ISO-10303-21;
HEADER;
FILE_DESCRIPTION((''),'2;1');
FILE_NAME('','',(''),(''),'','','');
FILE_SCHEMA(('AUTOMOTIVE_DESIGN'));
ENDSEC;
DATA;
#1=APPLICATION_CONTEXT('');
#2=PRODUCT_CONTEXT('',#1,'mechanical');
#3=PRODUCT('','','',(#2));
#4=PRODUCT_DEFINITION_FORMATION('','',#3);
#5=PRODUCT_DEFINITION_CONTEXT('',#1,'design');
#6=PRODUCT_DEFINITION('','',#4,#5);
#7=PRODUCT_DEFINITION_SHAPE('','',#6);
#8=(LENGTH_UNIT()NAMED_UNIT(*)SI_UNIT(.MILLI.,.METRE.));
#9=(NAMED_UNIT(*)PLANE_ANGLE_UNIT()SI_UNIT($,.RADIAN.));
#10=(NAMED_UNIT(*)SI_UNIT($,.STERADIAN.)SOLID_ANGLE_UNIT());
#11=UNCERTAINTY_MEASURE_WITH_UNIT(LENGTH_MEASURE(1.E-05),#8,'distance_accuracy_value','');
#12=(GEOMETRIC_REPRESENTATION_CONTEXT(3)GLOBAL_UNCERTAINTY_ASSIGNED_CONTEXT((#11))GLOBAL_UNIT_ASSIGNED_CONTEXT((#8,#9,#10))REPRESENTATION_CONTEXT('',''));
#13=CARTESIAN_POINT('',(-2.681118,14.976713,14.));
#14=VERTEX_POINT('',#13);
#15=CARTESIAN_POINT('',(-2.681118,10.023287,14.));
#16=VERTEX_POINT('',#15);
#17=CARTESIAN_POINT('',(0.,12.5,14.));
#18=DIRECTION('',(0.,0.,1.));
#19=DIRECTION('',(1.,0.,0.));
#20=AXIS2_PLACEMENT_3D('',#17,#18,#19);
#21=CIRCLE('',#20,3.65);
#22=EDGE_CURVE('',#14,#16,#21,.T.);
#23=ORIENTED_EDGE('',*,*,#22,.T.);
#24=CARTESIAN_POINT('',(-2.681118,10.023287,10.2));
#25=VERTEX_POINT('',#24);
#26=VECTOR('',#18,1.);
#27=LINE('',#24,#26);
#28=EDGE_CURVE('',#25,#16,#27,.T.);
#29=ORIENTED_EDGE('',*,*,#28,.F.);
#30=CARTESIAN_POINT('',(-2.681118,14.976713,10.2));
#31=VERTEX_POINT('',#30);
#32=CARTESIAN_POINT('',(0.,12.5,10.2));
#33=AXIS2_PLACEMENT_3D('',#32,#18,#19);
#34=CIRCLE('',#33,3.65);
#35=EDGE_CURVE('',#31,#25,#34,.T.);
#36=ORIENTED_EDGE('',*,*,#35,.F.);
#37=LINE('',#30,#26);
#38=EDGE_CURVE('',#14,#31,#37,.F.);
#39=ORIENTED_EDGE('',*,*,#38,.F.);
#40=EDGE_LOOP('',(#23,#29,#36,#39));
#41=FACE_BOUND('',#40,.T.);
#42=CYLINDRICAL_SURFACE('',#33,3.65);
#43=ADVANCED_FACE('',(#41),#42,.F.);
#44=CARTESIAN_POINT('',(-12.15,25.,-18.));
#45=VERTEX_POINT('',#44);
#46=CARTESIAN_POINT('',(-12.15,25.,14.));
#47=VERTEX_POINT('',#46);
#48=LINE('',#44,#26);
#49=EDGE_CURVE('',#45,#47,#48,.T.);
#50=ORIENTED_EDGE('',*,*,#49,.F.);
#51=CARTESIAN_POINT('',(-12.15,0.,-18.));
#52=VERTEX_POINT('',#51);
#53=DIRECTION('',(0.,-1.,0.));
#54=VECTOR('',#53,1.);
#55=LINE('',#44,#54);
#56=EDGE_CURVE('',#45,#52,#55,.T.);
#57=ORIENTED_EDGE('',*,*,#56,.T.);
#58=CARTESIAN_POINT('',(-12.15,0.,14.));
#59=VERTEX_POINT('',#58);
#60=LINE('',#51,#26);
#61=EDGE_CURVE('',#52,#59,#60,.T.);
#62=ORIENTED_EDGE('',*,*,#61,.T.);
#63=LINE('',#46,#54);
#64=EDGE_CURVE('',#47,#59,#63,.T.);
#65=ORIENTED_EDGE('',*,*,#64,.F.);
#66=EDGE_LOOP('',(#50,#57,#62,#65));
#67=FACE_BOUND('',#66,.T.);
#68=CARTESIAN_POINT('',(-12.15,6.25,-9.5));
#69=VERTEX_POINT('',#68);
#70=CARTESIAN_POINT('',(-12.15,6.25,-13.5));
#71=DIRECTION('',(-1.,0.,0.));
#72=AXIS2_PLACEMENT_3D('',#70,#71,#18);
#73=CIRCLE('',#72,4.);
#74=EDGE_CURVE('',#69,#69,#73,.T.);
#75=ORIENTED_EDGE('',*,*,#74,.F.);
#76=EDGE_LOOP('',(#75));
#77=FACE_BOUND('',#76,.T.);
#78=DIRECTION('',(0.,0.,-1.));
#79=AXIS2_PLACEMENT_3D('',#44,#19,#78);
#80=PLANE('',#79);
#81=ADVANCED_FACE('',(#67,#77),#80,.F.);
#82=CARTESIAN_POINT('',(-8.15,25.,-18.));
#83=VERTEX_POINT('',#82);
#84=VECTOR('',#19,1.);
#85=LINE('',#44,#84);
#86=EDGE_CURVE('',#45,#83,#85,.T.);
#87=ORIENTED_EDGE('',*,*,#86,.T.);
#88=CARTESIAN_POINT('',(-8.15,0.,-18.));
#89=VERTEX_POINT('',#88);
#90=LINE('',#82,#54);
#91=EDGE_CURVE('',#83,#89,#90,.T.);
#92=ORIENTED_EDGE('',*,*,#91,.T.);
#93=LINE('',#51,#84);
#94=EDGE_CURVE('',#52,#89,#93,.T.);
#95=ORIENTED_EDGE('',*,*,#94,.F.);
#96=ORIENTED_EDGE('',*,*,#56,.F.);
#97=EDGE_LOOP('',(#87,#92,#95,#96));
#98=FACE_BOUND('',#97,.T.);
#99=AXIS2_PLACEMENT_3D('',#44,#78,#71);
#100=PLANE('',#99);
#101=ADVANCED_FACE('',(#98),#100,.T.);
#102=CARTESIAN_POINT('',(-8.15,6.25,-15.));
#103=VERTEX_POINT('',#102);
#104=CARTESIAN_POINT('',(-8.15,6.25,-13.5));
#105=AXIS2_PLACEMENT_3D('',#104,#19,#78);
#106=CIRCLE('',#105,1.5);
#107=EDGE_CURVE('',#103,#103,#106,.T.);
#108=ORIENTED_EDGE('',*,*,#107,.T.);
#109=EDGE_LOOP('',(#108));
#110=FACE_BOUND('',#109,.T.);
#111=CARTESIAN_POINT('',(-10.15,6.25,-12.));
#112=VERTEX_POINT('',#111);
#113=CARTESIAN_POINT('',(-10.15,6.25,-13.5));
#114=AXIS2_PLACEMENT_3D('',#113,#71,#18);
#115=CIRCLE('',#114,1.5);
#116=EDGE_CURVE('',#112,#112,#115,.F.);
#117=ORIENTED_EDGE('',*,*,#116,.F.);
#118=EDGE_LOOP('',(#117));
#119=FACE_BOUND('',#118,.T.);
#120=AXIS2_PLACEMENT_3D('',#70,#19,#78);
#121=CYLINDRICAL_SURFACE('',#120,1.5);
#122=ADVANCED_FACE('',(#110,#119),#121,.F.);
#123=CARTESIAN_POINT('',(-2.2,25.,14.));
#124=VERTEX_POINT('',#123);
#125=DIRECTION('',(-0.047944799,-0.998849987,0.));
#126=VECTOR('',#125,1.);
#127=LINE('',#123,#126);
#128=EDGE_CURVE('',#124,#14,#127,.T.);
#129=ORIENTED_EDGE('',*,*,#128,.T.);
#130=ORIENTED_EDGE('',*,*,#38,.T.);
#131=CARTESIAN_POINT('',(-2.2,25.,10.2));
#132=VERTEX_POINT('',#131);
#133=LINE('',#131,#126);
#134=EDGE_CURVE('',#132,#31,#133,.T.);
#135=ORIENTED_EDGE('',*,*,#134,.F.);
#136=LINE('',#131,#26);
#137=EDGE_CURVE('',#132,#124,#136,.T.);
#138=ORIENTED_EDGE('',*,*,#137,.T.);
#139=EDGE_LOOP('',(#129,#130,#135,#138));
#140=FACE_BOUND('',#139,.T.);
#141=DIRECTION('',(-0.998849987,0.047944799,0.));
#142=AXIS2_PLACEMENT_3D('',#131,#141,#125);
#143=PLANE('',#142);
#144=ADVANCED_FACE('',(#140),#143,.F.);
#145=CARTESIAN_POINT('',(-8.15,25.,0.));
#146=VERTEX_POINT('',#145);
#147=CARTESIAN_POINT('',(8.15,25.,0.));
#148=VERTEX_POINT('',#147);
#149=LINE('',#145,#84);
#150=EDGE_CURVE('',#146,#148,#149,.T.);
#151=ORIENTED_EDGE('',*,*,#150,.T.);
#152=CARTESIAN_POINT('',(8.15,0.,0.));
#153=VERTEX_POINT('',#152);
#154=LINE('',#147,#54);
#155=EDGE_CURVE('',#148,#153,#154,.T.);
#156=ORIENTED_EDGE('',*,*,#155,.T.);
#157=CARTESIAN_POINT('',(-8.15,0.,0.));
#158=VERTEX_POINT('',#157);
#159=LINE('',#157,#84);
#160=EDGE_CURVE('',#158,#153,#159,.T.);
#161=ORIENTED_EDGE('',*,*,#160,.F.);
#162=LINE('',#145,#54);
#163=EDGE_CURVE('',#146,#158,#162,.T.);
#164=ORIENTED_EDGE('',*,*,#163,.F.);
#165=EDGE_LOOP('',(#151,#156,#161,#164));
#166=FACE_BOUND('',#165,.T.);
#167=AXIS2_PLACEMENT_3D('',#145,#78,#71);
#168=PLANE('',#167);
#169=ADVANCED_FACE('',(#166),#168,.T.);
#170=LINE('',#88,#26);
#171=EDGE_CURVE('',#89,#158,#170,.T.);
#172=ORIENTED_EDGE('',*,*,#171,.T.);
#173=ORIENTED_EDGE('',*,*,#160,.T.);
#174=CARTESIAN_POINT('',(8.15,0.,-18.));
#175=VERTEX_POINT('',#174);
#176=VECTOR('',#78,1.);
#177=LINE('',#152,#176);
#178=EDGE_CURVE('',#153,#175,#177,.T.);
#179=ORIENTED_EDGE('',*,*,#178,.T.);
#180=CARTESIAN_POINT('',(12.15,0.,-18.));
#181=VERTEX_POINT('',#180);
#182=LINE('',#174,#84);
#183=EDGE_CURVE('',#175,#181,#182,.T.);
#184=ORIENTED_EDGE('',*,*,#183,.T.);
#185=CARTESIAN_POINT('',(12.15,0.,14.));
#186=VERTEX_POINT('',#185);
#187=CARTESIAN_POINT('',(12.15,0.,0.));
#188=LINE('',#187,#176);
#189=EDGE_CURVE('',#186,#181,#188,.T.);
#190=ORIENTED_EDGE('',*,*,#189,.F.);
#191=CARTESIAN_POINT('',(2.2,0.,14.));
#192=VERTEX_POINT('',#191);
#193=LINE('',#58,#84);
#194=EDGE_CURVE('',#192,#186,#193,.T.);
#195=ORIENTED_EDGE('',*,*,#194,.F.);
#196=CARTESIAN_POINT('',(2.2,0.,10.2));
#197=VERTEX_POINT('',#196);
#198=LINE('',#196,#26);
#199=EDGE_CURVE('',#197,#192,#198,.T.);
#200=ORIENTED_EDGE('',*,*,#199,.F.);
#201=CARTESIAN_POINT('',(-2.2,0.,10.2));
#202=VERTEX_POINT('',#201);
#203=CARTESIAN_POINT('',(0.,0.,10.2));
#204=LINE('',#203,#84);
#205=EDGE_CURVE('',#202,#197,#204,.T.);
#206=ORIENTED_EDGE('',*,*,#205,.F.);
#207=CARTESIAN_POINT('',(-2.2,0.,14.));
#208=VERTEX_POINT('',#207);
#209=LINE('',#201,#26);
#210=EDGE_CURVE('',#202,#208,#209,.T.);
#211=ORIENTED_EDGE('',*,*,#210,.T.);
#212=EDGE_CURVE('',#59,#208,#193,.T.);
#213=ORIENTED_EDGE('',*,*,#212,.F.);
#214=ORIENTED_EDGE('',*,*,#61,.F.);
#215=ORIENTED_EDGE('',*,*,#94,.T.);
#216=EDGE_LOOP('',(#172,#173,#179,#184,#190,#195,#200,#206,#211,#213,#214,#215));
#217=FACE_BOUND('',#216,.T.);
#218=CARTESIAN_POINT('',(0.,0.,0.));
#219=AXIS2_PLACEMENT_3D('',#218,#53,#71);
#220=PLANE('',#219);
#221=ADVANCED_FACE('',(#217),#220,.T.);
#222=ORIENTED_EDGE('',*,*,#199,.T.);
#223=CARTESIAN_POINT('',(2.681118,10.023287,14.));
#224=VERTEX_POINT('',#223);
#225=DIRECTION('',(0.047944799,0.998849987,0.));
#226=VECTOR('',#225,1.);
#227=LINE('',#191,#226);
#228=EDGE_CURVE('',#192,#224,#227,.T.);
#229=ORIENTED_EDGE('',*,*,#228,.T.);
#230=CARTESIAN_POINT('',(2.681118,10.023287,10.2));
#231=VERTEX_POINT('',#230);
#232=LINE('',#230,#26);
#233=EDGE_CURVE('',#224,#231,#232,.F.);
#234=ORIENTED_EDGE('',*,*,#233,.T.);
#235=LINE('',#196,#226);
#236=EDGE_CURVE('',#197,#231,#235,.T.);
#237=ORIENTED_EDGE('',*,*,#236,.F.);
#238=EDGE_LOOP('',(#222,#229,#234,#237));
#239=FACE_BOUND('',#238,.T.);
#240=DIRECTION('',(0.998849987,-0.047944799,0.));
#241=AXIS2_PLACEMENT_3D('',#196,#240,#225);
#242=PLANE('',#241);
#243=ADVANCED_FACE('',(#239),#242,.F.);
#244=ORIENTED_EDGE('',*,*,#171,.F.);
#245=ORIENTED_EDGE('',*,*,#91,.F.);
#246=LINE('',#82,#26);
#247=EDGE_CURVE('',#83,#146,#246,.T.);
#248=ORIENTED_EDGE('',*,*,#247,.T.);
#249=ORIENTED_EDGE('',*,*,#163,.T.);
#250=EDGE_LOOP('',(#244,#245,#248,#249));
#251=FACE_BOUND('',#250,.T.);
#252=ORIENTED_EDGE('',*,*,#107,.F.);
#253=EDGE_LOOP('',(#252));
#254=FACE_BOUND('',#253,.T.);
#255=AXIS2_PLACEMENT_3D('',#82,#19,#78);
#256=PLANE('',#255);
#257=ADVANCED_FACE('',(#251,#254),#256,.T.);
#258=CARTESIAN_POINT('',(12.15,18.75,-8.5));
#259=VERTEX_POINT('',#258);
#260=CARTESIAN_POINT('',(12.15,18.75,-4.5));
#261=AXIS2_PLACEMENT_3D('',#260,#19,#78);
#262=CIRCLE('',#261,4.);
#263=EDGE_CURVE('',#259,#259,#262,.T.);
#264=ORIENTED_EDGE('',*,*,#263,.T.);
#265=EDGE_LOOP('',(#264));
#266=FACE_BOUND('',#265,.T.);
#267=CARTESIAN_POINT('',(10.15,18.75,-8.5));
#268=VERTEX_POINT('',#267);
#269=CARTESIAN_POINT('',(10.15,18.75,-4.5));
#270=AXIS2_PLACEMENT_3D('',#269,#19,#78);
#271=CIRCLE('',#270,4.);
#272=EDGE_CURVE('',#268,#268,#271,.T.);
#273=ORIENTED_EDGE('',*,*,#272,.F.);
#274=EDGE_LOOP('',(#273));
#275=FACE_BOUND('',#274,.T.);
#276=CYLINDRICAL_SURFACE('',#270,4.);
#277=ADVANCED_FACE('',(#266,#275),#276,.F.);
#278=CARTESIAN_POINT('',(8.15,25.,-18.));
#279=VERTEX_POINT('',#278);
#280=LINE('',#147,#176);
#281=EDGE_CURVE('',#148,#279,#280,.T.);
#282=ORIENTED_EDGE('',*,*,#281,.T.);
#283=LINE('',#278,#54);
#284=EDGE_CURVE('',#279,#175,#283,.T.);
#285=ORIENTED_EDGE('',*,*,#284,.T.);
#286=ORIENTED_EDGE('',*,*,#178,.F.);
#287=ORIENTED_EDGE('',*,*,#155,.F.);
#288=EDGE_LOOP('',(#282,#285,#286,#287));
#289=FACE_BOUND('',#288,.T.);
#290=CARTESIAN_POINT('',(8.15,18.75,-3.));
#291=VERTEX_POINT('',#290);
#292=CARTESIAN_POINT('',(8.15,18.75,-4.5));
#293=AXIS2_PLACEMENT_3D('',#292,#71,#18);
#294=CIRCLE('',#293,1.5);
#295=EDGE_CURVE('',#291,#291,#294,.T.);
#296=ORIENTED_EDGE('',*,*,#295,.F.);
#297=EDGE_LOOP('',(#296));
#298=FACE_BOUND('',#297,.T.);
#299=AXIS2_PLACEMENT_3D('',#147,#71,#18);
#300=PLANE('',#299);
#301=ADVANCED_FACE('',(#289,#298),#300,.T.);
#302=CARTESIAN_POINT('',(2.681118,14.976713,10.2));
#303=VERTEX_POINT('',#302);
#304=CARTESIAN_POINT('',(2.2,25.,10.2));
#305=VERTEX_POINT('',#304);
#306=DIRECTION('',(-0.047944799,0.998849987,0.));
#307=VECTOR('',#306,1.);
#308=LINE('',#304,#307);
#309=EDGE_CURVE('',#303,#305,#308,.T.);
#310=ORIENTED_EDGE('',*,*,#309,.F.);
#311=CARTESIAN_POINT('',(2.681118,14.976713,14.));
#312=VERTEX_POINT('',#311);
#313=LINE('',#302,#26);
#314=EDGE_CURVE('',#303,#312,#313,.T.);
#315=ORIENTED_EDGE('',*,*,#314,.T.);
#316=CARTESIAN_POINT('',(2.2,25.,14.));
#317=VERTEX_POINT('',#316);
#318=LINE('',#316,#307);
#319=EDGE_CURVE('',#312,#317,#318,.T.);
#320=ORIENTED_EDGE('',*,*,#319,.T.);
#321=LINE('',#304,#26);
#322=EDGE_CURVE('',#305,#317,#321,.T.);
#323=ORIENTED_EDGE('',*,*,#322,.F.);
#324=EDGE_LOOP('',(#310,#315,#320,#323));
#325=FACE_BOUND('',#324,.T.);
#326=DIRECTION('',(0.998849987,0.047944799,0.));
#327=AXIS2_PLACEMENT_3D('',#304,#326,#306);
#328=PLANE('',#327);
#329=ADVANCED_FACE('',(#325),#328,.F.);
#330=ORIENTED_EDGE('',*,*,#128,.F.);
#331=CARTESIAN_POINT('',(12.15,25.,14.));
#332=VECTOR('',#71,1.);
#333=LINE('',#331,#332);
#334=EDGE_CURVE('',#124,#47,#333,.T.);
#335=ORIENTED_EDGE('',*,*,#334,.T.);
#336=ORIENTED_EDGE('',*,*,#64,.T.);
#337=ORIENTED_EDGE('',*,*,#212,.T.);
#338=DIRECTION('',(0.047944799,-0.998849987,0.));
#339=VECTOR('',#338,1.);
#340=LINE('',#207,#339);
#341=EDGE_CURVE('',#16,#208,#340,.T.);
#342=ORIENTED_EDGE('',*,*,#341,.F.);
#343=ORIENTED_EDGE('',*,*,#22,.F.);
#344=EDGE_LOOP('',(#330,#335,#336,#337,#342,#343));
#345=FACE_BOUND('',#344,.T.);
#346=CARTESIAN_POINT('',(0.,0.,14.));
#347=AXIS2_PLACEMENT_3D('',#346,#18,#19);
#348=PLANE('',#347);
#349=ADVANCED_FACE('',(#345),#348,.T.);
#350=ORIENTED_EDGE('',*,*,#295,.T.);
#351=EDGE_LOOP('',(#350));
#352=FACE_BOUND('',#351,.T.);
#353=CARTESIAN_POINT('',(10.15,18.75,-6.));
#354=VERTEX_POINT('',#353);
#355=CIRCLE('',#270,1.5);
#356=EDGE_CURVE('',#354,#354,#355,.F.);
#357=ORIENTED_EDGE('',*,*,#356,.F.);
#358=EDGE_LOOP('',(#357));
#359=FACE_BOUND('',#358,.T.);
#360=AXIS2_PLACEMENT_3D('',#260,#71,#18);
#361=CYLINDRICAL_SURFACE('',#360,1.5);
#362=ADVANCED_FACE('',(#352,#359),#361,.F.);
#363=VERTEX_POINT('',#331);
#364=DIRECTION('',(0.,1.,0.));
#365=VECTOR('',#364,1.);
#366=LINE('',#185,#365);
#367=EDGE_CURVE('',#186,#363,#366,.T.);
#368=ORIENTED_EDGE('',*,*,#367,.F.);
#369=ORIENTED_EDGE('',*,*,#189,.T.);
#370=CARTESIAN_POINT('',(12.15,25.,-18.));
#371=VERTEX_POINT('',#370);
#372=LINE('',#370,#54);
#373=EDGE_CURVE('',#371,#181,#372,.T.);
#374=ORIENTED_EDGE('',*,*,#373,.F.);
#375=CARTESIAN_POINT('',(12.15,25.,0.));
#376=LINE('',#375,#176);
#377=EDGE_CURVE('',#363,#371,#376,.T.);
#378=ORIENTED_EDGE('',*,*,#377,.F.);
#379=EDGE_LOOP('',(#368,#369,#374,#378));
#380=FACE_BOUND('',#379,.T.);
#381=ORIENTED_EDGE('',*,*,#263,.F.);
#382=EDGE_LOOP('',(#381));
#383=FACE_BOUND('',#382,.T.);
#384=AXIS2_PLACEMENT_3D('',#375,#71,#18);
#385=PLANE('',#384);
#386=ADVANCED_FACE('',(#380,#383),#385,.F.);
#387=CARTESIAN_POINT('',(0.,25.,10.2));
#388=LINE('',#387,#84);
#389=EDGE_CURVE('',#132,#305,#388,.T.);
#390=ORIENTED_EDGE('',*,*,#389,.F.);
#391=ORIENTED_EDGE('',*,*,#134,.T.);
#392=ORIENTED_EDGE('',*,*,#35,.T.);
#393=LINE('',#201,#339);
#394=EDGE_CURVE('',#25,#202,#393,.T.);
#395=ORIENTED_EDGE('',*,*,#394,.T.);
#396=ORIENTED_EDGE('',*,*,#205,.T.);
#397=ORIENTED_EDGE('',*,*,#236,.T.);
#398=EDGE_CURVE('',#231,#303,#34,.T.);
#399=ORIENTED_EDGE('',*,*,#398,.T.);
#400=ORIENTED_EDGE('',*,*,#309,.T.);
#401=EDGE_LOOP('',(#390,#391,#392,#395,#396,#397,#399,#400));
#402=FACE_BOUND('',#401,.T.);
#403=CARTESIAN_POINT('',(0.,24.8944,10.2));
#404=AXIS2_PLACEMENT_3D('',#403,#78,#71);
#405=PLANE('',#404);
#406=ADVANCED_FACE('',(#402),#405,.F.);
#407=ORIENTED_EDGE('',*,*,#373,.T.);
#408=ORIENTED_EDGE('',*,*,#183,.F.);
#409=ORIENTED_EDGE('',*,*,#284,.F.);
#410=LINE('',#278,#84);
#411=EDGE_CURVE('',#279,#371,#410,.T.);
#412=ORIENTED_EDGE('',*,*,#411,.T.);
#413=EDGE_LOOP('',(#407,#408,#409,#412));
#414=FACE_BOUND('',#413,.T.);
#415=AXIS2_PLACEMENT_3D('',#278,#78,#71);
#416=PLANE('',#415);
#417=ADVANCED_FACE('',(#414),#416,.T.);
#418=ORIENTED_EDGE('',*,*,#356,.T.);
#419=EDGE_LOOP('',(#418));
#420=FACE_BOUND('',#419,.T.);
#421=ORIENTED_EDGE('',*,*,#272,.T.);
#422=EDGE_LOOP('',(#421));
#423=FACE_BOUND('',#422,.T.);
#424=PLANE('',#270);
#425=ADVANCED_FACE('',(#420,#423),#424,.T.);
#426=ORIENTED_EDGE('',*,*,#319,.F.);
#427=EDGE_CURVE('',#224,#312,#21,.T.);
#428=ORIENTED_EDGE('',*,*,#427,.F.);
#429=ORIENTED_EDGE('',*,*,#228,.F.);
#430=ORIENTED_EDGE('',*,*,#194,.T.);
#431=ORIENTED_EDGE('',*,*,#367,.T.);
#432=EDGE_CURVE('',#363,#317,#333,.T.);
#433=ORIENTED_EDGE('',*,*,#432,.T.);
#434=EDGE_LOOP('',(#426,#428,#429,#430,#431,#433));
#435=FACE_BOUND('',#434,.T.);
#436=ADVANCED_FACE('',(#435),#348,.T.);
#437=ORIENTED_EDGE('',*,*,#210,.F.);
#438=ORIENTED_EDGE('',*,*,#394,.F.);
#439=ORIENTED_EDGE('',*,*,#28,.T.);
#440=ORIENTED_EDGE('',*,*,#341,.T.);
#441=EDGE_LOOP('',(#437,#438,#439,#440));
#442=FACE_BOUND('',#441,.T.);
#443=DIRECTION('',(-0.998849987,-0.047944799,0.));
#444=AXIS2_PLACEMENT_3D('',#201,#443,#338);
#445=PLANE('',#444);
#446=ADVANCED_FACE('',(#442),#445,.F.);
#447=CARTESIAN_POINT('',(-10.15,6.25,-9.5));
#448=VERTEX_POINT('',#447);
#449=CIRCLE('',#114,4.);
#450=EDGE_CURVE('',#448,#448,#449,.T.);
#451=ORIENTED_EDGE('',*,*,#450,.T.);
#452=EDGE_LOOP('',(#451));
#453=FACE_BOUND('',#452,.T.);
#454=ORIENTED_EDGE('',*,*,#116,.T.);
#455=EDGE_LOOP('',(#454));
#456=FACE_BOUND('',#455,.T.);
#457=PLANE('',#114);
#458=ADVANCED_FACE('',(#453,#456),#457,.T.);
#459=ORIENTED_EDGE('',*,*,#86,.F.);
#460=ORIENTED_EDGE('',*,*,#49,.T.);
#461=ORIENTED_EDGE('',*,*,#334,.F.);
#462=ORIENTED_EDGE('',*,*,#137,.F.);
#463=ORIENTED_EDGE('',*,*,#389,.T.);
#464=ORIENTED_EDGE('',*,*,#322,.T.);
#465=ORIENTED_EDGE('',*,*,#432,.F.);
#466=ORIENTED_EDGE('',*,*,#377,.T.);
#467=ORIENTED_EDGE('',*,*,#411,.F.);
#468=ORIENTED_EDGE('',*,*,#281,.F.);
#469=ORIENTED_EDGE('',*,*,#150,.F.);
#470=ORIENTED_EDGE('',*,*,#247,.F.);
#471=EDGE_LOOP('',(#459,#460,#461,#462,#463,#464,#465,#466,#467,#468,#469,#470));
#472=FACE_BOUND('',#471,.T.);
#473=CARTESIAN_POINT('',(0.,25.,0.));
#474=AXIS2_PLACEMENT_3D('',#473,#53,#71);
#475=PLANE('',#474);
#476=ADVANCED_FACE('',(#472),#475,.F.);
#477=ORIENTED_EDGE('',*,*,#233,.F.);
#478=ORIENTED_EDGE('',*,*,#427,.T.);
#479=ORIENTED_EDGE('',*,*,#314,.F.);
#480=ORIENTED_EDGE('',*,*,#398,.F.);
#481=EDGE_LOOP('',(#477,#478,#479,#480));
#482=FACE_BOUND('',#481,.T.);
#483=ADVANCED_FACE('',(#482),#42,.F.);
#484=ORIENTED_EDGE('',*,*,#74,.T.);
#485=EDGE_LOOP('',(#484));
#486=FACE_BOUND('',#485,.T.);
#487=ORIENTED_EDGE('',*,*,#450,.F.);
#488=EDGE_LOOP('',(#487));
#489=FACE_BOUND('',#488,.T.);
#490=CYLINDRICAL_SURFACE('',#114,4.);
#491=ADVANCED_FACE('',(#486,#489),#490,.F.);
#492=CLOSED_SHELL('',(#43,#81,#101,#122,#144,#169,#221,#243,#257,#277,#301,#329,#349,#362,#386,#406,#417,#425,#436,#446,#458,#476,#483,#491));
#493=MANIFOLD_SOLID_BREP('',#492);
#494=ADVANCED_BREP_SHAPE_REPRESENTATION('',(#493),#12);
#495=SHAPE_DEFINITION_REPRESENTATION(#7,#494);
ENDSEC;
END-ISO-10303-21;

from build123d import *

# Parameters (mm, degrees)
EXTRUDE_THIN1_DEPTH = 25
SKETCH2_W           = 24.3
SKETCH2_H           = 25
BOSS_EXTRUDE1_DEPTH = 10
CUT_EXTRUDE1_DEPTH  = 3.8
SKETCH4_R           = 3.65
CUT_EXTRUDE2_DEPTH  = 3.8
SKETCH5_R           = 1.5
CUT_EXTRUDE3_DEPTH  = 37.892953257
SKETCH7_R           = 1.5
CUT_EXTRUDE4_DEPTH  = 37.892953257
SKETCH8_R           = 4
CUT_EXTRUDE5_DEPTH  = 2
SKETCH9_R           = 4
CUT_EXTRUDE6_DEPTH  = 2


with BuildPart() as part:
    # Sketch1 → Extrude-Thin1 (new body)
    with BuildSketch(Plane(origin=(0, 0, 0), x_dir=(1, 0, 0), z_dir=(0, 1, 0))):
        Polygon((-8.15, 18), (-8.15, 0), (8.15, 0), (8.15, 18), (12.15, 18), (12.15, -4), (-12.15, -4), (-12.15, 18), align=None)
    extrude(amount=EXTRUDE_THIN1_DEPTH)

    # Sketch2 → Boss-Extrude1 (add)
    with BuildSketch(Plane.XY.offset(4)):
        with Locations((0, 12.5)):
            Rectangle(SKETCH2_W, SKETCH2_H)
    extrude(amount=BOSS_EXTRUDE1_DEPTH)

    # Sketch3 → Cut-Extrude1 (cut)
    with BuildSketch(Plane.XY.offset(14)):
        with BuildLine():
            Line((-2.2, 25), (-2.8, 12.5))
            Line((-2.8, 12.5), (-2.2, 0))
            ThreePointArc((-2.2, 0), (0, -2.096932942), (2.2, 0))
            Line((2.2, 0), (2.8, 12.5))
            Line((2.8, 12.5), (2.2, 25))
            ThreePointArc((2.2, 25), (0, 27.096932942), (-2.2, 25))
        make_face()
    extrude(amount=-CUT_EXTRUDE1_DEPTH, mode=Mode.SUBTRACT)

    # Sketch4 → Cut-Extrude2 (cut)
    with BuildSketch(Plane.XY.offset(14)):
        with Locations((0, 12.5)):
            Circle(SKETCH4_R)
    extrude(amount=-CUT_EXTRUDE2_DEPTH, mode=Mode.SUBTRACT)

    # Sketch5 → Cut-Extrude3 (cut, through all)
    with BuildSketch(Plane.ZY.offset(-8.15)):
        with Locations((-4.5, 18.75)):
            Circle(SKETCH5_R)
    extrude(amount=-CUT_EXTRUDE3_DEPTH, mode=Mode.SUBTRACT)

    # Sketch7 → Cut-Extrude4 (cut, through all)
    with BuildSketch(Plane(origin=(-8.15, 0, 0), x_dir=(0, 0, -1), z_dir=(1, 0, 0))):
        with Locations((13.5, 6.25)):
            Circle(SKETCH7_R)
    extrude(amount=-CUT_EXTRUDE4_DEPTH, mode=Mode.SUBTRACT)

    # Sketch8 → Cut-Extrude5 (cut)
    with BuildSketch(Plane(origin=(12.15, 0, 0), x_dir=(0, 0, -1), z_dir=(1, 0, 0))):
        with Locations((4.5, 18.75)):
            Circle(SKETCH8_R)
    extrude(amount=-CUT_EXTRUDE5_DEPTH, mode=Mode.SUBTRACT)

    # Sketch9 → Cut-Extrude6 (cut)
    with BuildSketch(Plane.ZY.offset(12.15)):
        with Locations((-13.5, 6.25)):
            Circle(SKETCH9_R)
    extrude(amount=-CUT_EXTRUDE6_DEPTH, mode=Mode.SUBTRACT)


solid = part.part
